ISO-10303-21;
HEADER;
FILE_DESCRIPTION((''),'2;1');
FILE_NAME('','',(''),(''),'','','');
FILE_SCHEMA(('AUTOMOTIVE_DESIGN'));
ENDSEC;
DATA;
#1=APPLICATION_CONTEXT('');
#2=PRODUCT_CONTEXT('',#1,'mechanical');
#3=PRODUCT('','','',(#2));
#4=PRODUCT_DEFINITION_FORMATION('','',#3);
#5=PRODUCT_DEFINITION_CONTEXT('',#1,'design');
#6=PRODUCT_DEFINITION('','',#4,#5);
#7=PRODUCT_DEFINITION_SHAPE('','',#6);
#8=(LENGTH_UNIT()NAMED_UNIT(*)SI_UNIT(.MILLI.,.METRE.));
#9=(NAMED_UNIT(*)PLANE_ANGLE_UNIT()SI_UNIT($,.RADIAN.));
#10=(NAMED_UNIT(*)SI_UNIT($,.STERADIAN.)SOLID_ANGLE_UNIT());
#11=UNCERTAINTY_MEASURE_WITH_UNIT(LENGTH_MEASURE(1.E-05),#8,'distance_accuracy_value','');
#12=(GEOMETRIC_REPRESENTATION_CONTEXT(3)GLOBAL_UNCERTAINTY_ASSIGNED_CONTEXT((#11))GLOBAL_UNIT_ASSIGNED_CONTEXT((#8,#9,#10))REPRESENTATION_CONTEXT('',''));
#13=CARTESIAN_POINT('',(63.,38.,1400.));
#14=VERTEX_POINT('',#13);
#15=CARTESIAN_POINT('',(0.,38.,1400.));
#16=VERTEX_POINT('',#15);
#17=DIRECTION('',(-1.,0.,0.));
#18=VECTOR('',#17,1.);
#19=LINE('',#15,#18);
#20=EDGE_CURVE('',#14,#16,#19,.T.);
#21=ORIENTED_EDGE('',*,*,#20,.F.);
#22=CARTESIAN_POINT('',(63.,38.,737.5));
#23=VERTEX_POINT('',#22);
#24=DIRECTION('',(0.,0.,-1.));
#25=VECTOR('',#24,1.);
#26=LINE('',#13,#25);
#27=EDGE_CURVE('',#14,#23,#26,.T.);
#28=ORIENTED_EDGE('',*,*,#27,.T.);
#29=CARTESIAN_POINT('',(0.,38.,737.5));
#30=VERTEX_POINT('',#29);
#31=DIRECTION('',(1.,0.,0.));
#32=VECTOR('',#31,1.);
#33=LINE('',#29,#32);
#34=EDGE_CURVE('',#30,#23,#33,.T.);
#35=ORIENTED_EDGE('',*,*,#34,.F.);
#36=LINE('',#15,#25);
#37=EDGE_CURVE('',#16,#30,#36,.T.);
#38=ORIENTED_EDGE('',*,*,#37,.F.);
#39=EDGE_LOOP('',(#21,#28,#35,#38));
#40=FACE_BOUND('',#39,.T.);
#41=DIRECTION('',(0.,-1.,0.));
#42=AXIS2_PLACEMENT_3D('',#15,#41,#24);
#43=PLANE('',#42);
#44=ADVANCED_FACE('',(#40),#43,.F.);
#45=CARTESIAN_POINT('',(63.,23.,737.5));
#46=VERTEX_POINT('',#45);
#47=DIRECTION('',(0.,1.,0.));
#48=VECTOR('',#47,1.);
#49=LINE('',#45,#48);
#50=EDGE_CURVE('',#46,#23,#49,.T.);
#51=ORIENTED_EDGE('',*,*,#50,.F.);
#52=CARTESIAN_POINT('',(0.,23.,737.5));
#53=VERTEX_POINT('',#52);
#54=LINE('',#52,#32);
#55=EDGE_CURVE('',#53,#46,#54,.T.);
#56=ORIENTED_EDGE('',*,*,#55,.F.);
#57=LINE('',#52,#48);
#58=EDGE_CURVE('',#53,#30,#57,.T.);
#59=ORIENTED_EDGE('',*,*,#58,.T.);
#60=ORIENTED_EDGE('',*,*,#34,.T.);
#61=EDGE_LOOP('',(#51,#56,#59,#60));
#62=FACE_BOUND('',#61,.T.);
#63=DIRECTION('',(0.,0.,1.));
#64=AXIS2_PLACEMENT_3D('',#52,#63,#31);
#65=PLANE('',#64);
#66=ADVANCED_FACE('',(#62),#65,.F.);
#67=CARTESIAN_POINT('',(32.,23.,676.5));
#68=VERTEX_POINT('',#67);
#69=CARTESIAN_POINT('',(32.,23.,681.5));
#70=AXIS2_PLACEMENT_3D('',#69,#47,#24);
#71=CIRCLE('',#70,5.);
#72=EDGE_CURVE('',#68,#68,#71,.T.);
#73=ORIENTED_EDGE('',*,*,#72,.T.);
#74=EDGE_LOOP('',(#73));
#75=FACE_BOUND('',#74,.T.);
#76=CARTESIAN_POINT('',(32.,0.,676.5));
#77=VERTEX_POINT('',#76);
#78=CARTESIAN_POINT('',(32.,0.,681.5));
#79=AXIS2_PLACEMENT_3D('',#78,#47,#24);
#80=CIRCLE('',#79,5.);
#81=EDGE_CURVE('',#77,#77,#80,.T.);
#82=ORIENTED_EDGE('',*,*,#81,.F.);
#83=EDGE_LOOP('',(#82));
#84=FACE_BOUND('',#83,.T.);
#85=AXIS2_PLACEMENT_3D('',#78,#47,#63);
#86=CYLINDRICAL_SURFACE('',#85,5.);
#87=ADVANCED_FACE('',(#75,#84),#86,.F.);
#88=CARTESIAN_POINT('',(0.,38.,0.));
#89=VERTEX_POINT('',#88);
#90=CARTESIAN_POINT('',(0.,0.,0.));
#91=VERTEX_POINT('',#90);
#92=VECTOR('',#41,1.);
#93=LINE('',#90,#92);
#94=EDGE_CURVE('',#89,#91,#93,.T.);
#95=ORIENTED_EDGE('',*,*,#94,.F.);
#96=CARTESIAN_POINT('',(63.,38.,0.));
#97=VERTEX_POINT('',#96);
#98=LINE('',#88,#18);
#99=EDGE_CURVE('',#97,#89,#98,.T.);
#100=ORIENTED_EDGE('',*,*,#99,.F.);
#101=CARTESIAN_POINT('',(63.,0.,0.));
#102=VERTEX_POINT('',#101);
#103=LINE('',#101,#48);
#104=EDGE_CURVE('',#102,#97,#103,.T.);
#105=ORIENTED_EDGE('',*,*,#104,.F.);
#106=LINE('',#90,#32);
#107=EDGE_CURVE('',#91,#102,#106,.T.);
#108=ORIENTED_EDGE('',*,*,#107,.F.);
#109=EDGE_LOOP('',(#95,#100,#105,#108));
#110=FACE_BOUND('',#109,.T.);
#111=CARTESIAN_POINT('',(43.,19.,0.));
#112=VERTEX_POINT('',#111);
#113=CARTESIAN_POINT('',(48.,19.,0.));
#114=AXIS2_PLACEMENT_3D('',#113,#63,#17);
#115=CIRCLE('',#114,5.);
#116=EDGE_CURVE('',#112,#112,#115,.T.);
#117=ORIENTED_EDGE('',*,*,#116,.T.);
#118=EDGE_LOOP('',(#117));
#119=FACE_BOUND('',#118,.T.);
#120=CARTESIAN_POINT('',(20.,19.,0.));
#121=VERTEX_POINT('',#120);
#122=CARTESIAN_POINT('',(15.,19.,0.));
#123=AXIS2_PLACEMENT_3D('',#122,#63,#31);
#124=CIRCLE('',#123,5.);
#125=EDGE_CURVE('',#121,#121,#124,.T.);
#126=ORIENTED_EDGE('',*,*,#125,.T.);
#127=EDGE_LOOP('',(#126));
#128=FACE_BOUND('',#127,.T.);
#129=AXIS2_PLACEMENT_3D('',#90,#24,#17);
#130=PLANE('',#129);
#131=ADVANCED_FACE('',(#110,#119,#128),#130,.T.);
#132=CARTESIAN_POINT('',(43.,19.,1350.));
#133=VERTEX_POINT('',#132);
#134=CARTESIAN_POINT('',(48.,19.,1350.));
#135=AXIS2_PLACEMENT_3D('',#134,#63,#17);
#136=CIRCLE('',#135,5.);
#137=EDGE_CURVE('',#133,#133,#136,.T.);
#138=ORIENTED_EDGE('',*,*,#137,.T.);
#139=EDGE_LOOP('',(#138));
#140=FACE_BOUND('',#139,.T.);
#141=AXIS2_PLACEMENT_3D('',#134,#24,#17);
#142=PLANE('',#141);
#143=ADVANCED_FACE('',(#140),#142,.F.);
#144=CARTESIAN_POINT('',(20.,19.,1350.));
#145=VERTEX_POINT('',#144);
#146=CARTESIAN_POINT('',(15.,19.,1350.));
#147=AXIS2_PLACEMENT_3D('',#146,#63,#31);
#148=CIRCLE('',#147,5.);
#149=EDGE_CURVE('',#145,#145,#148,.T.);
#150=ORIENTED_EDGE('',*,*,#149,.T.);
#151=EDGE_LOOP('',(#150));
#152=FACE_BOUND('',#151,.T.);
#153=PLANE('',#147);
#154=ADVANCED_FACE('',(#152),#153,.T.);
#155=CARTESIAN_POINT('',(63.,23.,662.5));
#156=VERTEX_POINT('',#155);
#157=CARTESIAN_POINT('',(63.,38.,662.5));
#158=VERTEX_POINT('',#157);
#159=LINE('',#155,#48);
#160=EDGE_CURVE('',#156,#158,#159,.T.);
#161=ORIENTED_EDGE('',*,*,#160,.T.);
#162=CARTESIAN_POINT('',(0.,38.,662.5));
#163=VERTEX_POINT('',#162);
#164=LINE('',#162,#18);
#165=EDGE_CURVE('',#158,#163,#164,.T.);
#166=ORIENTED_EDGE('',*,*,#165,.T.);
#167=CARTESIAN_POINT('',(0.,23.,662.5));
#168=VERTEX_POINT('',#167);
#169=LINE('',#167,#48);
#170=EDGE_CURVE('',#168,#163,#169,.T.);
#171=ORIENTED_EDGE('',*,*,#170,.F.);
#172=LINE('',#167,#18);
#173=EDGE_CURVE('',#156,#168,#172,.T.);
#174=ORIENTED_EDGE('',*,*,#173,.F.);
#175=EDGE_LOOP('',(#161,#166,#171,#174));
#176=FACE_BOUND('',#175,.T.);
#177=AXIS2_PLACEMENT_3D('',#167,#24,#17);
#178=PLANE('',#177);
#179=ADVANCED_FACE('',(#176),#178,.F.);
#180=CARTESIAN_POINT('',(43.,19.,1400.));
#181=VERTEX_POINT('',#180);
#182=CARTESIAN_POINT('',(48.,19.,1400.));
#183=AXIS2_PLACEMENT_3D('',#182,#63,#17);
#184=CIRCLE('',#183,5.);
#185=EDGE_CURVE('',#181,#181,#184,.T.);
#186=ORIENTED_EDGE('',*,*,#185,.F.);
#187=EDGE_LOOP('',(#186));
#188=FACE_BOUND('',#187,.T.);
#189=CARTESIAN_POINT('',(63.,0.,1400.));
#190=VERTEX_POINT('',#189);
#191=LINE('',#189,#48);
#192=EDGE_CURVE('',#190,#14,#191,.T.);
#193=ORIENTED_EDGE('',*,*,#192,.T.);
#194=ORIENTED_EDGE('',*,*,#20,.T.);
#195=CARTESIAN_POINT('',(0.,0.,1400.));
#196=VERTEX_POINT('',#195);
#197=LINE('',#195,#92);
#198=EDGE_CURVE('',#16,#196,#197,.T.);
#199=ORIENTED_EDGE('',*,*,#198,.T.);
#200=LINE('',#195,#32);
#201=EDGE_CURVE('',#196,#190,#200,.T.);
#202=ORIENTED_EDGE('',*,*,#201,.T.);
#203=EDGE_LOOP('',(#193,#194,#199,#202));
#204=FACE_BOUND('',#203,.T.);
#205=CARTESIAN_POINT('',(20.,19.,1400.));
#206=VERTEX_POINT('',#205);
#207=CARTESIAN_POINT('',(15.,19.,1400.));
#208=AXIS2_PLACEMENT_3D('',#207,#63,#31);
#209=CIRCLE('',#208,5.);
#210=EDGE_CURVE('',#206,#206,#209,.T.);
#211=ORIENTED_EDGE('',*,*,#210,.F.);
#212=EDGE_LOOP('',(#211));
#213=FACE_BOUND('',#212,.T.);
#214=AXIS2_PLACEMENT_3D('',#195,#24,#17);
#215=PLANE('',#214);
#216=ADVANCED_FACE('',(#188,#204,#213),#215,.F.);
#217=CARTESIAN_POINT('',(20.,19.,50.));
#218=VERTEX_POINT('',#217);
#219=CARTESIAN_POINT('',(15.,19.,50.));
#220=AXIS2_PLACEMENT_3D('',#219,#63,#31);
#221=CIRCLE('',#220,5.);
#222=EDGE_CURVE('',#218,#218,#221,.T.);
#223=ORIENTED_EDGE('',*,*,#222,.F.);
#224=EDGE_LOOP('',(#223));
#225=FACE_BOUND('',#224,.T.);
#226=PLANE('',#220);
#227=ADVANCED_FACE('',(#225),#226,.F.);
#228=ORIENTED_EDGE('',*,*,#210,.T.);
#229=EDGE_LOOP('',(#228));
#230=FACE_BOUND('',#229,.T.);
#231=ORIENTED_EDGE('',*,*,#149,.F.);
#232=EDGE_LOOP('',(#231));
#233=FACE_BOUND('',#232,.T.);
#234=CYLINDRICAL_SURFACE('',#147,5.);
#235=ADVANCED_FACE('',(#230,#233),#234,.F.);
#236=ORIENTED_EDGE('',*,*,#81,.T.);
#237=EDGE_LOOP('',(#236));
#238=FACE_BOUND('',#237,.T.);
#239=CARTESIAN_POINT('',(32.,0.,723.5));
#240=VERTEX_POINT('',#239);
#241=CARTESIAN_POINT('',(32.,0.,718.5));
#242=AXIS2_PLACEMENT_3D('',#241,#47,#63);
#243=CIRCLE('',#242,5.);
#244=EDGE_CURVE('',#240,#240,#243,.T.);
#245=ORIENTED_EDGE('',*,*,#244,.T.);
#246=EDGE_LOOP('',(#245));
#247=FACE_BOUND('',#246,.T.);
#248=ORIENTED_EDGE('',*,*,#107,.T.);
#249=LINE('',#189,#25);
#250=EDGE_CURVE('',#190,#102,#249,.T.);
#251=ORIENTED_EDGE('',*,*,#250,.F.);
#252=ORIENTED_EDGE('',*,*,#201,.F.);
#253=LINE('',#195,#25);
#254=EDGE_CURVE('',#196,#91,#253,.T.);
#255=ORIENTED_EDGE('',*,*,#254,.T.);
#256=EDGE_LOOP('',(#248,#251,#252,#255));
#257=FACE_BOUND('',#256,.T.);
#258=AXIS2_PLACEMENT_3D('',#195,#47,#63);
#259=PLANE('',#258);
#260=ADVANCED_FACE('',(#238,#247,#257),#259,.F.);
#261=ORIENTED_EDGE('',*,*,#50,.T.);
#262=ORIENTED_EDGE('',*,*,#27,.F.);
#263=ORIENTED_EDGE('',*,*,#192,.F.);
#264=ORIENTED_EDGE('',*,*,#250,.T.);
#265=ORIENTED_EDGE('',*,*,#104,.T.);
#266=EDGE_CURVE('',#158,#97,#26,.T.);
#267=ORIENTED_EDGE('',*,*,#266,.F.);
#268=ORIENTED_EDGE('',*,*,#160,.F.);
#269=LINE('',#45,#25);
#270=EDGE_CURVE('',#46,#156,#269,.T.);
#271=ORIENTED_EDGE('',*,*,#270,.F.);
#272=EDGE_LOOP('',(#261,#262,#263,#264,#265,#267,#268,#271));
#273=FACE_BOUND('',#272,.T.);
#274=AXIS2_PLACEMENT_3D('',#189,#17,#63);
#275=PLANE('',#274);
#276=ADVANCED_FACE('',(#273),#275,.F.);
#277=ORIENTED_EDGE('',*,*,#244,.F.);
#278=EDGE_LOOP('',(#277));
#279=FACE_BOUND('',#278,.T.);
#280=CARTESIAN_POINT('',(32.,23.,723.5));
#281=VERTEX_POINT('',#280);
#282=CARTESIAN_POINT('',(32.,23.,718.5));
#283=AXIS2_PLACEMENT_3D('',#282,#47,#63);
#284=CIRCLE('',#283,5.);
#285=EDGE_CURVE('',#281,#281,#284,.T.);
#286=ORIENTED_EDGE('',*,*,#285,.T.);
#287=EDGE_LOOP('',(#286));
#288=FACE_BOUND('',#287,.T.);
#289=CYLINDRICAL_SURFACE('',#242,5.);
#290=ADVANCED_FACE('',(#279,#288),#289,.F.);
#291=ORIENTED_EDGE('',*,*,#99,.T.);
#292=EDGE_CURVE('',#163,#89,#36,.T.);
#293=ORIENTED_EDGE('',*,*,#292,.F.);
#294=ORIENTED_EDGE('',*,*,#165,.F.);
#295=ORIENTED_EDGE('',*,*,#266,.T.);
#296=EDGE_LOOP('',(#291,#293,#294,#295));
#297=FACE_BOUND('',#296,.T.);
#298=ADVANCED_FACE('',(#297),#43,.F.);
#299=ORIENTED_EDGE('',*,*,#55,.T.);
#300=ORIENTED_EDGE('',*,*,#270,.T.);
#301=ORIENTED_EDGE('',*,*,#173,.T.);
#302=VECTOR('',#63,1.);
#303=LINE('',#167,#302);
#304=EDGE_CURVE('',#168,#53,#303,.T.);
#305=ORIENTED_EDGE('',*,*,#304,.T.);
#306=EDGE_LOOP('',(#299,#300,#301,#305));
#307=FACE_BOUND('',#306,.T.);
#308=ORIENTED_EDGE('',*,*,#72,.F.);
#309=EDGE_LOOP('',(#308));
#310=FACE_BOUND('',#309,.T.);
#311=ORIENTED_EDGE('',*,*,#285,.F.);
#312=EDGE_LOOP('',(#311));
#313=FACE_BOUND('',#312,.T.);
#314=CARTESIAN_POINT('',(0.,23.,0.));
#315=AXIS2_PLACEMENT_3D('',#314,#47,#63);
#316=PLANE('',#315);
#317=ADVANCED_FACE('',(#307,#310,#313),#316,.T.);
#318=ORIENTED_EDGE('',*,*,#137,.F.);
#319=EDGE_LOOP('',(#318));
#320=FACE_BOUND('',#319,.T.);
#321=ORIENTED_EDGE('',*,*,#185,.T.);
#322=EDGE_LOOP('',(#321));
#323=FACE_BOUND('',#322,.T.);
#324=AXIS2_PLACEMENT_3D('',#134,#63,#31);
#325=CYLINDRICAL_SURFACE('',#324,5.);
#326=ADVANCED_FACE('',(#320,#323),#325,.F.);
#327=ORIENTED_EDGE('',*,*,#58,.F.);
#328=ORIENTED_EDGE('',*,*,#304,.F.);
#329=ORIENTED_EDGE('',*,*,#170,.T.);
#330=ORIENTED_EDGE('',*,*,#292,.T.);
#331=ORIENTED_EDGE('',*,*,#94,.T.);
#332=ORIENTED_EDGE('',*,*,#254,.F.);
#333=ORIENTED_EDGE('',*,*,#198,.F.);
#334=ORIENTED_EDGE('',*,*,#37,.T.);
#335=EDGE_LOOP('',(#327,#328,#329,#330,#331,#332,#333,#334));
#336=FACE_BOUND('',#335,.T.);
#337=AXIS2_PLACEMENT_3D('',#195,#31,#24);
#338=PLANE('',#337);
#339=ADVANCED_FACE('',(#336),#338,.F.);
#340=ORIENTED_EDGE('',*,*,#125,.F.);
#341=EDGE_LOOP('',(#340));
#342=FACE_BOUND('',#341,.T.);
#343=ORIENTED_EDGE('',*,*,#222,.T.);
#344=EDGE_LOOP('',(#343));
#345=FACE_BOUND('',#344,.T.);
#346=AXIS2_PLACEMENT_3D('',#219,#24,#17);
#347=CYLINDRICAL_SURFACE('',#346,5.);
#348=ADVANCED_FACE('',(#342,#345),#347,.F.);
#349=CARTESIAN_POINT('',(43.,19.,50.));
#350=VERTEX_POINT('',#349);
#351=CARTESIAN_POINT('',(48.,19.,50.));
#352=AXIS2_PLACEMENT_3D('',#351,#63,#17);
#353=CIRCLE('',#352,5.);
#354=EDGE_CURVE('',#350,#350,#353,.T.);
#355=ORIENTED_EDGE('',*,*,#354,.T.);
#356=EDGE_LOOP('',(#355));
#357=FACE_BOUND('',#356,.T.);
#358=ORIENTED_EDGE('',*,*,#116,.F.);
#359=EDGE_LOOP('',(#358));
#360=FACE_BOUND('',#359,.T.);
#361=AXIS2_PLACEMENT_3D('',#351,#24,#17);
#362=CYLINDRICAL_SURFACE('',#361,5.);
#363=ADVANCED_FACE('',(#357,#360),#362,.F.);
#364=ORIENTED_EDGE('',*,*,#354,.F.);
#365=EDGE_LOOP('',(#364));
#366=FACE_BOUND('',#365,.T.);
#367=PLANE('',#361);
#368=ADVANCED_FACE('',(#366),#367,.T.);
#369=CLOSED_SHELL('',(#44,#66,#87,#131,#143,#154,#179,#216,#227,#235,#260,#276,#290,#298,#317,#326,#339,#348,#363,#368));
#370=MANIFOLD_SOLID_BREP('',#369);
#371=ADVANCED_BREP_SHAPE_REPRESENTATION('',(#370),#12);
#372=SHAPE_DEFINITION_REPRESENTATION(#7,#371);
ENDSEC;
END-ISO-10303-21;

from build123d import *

# Parameters (mm, degrees)
ESQUISSE1_W             = 63
ESQUISSE1_H             = 38
BOSS_EXTRU_1_DEPTH      = 1400
ESQUISSE2_R             = 5
ENL_V_MAT_EXTRU_1_DEPTH = 50
ENL_V_START             = -1350
ESQUISSE2_2_R           = 5
ENL_V_MAT_EXTRU_2_DEPTH = 50
ESQUISSE3_W             = 63
ESQUISSE3_H             = 75
ENL_V_MAT_EXTRU_3_DEPTH = 15
ESQUISSE4_R             = 5
ENL_V_MAT_EXTRU_4_DEPTH = 1402.60550798


with BuildPart() as part:
    # Esquisse1 → Boss.-Extru.1 (new body)
    with BuildSketch(Plane.XY):
        with Locations((31.5, 19)):
            Rectangle(ESQUISSE1_W, ESQUISSE1_H)
    extrude(amount=BOSS_EXTRU_1_DEPTH)

    # Esquisse2 → Enlèv. mat.-Extru.1 (cut)
    with BuildSketch(Plane.XY.offset(1400)):
        with Locations((15, 19)):
            Circle(ESQUISSE2_R)
        with Locations(Location((48, 19, 0), (0, 0, 180))):
            Circle(ESQUISSE2_R)
    extrude(amount=-ENL_V_MAT_EXTRU_1_DEPTH, mode=Mode.SUBTRACT)

    # Esquisse2<2> → Enlèv. mat.-Extru.2 (cut)
    with BuildSketch(Plane.XY.offset(1400).offset(ENL_V_START)):
        with Locations((15, 19)):
            Circle(ESQUISSE2_2_R)
        with Locations(Location((48, 19, 0), (0, 0, 180))):
            Circle(ESQUISSE2_2_R)
    extrude(amount=-ENL_V_MAT_EXTRU_2_DEPTH, mode=Mode.SUBTRACT)

    # Esquisse3 → Enlèv. mat.-Extru.3 (cut)
    with BuildSketch(Plane(origin=(0, 38, 0), x_dir=(1, 0, 0), z_dir=(0, 1, 0))):
        with Locations((31.5, -700)):
            Rectangle(ESQUISSE3_W, ESQUISSE3_H)
    extrude(amount=-ENL_V_MAT_EXTRU_3_DEPTH, mode=Mode.SUBTRACT)

    # Esquisse4 → Enlèv. mat.-Extru.4 (cut, through all)
    with BuildSketch(Plane(origin=(0, 23, 0), x_dir=(1, 0, 0), z_dir=(0, 1, 0))):
        with Locations(Location((32, -718.5, 0), (0, 0, 270))):
            Circle(ESQUISSE4_R)
        with Locations(Location((32, -681.5, 0), (0, 0, 90))):
            Circle(ESQUISSE4_R)
    extrude(amount=-ENL_V_MAT_EXTRU_4_DEPTH, mode=Mode.SUBTRACT)


solid = part.part
